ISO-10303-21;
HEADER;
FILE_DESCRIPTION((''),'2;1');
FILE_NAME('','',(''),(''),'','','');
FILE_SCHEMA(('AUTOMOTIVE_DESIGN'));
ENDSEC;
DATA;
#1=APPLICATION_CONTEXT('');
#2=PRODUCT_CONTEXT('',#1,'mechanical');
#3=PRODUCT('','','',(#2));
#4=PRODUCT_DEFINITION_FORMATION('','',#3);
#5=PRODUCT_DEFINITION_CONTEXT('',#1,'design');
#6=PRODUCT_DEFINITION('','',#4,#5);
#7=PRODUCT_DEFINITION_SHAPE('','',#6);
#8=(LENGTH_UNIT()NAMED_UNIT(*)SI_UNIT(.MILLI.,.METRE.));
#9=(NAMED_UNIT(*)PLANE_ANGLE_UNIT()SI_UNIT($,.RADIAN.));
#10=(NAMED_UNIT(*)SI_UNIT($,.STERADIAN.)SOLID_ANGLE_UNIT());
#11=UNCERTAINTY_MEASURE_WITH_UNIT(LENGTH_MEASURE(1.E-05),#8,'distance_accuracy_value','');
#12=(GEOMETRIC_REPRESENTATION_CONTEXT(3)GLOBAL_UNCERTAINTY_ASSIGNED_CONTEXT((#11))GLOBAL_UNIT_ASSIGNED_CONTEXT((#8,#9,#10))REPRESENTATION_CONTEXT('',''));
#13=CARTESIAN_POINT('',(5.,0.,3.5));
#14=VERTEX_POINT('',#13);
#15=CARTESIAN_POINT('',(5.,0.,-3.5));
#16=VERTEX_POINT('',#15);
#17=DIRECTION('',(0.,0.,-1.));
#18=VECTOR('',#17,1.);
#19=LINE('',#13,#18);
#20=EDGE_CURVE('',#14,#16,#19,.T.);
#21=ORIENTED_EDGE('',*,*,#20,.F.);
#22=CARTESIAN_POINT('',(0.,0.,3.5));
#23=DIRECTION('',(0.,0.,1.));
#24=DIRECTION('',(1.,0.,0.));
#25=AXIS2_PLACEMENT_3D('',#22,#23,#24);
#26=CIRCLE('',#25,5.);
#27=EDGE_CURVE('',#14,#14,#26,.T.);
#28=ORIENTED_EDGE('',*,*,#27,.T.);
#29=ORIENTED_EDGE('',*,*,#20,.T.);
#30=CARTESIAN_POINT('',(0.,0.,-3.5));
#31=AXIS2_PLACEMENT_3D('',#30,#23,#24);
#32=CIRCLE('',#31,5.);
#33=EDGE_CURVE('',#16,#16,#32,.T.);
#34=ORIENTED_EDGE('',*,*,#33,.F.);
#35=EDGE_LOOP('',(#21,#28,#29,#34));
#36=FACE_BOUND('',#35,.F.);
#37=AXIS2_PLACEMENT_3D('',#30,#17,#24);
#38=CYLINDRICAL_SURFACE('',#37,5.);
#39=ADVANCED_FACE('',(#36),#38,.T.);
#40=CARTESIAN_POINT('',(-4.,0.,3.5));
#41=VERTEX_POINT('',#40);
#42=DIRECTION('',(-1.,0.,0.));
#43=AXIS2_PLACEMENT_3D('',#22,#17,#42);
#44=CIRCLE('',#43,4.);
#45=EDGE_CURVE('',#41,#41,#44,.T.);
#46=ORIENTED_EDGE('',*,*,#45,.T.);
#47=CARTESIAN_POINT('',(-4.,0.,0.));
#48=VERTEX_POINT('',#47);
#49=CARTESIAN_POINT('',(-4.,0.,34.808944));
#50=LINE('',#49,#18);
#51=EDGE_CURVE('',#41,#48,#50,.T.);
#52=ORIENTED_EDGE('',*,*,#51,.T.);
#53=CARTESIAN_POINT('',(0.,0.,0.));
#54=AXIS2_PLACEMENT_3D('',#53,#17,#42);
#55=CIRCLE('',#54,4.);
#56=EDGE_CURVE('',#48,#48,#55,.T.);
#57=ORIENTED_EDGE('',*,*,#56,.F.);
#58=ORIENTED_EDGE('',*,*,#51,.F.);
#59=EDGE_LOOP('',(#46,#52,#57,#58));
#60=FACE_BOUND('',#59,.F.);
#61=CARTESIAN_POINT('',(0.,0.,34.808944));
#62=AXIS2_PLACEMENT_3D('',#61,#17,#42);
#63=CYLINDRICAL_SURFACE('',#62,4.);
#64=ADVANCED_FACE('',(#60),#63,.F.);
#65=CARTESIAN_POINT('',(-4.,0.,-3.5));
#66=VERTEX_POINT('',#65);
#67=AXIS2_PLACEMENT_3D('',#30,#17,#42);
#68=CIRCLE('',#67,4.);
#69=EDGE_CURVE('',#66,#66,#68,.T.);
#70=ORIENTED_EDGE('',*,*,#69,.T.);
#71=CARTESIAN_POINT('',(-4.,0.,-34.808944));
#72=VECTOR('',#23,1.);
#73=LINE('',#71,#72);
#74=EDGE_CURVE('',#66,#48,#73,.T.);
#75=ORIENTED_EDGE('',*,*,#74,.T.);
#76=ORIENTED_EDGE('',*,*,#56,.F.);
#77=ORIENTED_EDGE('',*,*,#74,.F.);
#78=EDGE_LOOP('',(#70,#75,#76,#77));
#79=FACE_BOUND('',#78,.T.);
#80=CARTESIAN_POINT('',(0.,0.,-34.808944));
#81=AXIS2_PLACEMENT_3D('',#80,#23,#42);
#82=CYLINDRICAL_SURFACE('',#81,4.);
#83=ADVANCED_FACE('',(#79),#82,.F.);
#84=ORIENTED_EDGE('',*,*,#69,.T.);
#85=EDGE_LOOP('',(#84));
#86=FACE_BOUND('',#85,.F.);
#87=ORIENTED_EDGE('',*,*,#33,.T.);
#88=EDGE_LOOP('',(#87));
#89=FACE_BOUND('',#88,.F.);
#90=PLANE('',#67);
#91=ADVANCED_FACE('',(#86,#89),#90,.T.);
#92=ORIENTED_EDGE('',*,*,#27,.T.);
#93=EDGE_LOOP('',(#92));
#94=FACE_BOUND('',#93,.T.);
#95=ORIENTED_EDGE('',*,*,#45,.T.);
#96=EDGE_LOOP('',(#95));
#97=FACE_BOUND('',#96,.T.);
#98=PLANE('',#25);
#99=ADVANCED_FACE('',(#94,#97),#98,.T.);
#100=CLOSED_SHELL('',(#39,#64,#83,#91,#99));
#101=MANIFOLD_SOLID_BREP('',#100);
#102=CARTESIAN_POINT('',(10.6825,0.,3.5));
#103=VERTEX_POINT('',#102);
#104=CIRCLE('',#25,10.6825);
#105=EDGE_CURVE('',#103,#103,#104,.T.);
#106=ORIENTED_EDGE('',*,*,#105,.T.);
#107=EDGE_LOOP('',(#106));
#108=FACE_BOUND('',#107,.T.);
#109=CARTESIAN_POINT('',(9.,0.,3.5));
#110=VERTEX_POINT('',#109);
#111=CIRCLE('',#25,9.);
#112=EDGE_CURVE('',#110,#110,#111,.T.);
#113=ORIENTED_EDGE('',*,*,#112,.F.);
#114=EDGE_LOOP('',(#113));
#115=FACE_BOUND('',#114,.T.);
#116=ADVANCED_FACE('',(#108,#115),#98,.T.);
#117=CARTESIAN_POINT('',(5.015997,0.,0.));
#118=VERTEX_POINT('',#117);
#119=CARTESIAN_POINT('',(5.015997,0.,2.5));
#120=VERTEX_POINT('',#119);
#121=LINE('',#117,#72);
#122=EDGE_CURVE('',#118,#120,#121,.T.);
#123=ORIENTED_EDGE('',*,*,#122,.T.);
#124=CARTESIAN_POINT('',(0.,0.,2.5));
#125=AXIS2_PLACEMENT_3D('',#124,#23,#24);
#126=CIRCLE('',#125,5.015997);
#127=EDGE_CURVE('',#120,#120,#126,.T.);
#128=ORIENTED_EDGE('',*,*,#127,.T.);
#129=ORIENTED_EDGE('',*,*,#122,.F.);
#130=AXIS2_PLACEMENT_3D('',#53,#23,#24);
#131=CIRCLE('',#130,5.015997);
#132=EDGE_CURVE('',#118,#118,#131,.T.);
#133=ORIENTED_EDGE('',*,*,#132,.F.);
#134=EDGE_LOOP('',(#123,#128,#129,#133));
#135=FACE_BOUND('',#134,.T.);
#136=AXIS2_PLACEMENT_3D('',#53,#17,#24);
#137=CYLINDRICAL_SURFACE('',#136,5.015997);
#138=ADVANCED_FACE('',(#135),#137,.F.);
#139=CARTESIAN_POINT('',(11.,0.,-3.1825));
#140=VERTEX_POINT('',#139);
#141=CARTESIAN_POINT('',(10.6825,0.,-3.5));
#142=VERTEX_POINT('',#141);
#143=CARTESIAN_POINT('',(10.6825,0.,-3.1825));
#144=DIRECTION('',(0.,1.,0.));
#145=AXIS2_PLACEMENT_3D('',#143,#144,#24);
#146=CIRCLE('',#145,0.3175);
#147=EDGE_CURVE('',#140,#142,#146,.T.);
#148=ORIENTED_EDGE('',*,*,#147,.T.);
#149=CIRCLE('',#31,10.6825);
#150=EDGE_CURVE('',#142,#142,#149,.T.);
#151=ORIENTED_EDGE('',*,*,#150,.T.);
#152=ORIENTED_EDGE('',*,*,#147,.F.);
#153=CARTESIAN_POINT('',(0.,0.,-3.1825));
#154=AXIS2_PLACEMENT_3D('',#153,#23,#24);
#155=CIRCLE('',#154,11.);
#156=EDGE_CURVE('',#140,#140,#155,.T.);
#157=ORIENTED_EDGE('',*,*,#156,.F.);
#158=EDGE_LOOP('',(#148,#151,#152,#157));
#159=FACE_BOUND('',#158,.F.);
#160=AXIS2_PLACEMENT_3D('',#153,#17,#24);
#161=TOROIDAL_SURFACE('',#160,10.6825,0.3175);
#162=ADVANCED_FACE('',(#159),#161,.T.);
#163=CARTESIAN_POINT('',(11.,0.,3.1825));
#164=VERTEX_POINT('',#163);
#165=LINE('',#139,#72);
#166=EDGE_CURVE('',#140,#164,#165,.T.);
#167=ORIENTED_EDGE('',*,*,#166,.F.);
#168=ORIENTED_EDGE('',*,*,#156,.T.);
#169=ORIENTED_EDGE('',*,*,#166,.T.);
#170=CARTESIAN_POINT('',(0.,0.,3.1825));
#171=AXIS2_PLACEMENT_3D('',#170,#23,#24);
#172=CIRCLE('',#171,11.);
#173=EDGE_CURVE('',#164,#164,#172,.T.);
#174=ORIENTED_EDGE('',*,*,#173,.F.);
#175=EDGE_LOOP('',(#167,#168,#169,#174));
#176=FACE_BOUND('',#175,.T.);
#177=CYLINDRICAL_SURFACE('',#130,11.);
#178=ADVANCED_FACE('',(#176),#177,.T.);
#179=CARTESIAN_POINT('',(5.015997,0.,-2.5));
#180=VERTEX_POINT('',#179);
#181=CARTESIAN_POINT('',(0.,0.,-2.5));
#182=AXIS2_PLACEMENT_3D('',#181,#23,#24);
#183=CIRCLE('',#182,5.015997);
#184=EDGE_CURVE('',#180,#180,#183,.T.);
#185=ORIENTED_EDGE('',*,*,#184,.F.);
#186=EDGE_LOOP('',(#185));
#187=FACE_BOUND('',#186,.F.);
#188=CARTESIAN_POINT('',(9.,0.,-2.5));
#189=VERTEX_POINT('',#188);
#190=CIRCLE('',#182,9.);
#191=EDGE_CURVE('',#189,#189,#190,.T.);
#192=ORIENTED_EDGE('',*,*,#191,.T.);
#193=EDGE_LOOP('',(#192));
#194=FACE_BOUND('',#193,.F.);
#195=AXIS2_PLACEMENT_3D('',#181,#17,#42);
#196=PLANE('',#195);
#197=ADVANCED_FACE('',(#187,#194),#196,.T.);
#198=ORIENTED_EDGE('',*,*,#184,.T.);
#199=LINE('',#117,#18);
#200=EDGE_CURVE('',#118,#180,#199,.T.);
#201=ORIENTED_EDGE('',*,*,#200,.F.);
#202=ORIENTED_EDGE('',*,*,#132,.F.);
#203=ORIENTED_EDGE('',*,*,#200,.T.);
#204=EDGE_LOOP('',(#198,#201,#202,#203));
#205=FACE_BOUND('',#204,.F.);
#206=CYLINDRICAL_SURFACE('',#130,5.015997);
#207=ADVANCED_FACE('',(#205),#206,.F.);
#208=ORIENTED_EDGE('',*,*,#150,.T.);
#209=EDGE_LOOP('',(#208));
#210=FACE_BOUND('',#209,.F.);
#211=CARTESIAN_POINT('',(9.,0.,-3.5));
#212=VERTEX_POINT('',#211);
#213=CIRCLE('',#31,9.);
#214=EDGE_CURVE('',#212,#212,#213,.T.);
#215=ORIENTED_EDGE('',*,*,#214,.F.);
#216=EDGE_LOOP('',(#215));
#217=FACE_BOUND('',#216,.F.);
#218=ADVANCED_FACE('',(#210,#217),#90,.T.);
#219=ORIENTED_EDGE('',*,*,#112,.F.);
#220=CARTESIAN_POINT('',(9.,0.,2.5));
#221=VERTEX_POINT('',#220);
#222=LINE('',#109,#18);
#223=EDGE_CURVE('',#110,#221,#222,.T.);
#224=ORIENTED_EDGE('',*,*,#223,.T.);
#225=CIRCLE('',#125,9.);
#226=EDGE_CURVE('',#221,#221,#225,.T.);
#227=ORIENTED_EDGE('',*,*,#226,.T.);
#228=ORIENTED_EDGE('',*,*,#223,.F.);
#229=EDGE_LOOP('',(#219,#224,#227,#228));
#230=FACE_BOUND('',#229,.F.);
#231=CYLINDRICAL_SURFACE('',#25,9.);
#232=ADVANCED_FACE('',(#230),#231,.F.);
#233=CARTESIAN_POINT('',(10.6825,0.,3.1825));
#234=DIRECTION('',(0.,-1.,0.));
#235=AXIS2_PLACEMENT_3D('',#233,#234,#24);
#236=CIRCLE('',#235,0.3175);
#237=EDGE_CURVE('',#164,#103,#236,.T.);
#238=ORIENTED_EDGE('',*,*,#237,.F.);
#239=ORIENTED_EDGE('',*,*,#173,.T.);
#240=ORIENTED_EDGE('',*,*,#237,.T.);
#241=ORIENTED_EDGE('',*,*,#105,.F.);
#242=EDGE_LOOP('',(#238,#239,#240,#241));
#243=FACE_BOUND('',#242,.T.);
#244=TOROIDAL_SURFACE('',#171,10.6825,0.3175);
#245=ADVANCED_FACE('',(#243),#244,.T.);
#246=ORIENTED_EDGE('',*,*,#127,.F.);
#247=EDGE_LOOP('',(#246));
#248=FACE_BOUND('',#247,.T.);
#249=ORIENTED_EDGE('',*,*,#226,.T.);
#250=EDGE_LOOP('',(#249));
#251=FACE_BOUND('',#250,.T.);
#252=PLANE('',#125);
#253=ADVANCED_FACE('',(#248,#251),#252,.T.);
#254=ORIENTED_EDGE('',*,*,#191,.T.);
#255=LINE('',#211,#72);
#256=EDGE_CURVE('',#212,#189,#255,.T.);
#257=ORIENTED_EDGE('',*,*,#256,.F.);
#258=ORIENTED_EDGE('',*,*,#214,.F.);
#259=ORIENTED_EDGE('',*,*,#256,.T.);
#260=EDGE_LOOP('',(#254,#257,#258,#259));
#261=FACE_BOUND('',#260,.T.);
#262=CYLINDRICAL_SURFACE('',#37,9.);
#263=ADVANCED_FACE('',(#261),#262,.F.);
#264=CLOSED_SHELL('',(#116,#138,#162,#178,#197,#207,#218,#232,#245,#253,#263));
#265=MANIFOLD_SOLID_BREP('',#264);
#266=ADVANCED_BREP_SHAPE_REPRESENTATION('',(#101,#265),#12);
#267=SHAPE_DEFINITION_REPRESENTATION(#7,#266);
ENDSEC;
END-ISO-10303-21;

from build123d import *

# Parameters (mm, degrees)
F0_R     = 11
F1_DEPTH = 3.5
F2_R     = 9
F2_R_2   = 5
F3_DEPTH = 3.5
F5_D     = 8
F6_R     = 9.04763
F6_R_2   = 5.015997
F7_DEPTH = 2.5
F8_R     = 0.3175


with BuildPart() as f1:
    # F0 (on Top) → F1 (new body)
    with BuildSketch(Plane.XY):
        Circle(F0_R)
    extrude(amount=F1_DEPTH)

    # F2 (on face) → F3 (cut, through all)
    with BuildSketch(Plane.XY.offset(3.5)):
        Circle(F2_R)
        Circle(F2_R_2, mode=Mode.SUBTRACT)
    extrude(amount=-F3_DEPTH, mode=Mode.SUBTRACT)

    # F5 (through all)
    with Locations(Plane.XY.offset(3.5)):
        with Locations((0, 0)):
            Hole(F5_D / 2)

    # F6 (on Top) → F7 (join)
    with BuildSketch(Plane.XY):
        Circle(F6_R)
        Circle(F6_R_2, mode=Mode.SUBTRACT)
    extrude(amount=F7_DEPTH)

    # F8
    f8_edges = [f1.edges().sort_by_distance(p)[0] for p in [
        (-11, 0, 3.5),
    ]]
    fillet(f8_edges, radius=F8_R)

    # F9: F1 across plane


with BuildPart() as f1_1:
    add(f1.part)
    add(f1.part.mirror(Plane.XY))


solid = f1_1.part
